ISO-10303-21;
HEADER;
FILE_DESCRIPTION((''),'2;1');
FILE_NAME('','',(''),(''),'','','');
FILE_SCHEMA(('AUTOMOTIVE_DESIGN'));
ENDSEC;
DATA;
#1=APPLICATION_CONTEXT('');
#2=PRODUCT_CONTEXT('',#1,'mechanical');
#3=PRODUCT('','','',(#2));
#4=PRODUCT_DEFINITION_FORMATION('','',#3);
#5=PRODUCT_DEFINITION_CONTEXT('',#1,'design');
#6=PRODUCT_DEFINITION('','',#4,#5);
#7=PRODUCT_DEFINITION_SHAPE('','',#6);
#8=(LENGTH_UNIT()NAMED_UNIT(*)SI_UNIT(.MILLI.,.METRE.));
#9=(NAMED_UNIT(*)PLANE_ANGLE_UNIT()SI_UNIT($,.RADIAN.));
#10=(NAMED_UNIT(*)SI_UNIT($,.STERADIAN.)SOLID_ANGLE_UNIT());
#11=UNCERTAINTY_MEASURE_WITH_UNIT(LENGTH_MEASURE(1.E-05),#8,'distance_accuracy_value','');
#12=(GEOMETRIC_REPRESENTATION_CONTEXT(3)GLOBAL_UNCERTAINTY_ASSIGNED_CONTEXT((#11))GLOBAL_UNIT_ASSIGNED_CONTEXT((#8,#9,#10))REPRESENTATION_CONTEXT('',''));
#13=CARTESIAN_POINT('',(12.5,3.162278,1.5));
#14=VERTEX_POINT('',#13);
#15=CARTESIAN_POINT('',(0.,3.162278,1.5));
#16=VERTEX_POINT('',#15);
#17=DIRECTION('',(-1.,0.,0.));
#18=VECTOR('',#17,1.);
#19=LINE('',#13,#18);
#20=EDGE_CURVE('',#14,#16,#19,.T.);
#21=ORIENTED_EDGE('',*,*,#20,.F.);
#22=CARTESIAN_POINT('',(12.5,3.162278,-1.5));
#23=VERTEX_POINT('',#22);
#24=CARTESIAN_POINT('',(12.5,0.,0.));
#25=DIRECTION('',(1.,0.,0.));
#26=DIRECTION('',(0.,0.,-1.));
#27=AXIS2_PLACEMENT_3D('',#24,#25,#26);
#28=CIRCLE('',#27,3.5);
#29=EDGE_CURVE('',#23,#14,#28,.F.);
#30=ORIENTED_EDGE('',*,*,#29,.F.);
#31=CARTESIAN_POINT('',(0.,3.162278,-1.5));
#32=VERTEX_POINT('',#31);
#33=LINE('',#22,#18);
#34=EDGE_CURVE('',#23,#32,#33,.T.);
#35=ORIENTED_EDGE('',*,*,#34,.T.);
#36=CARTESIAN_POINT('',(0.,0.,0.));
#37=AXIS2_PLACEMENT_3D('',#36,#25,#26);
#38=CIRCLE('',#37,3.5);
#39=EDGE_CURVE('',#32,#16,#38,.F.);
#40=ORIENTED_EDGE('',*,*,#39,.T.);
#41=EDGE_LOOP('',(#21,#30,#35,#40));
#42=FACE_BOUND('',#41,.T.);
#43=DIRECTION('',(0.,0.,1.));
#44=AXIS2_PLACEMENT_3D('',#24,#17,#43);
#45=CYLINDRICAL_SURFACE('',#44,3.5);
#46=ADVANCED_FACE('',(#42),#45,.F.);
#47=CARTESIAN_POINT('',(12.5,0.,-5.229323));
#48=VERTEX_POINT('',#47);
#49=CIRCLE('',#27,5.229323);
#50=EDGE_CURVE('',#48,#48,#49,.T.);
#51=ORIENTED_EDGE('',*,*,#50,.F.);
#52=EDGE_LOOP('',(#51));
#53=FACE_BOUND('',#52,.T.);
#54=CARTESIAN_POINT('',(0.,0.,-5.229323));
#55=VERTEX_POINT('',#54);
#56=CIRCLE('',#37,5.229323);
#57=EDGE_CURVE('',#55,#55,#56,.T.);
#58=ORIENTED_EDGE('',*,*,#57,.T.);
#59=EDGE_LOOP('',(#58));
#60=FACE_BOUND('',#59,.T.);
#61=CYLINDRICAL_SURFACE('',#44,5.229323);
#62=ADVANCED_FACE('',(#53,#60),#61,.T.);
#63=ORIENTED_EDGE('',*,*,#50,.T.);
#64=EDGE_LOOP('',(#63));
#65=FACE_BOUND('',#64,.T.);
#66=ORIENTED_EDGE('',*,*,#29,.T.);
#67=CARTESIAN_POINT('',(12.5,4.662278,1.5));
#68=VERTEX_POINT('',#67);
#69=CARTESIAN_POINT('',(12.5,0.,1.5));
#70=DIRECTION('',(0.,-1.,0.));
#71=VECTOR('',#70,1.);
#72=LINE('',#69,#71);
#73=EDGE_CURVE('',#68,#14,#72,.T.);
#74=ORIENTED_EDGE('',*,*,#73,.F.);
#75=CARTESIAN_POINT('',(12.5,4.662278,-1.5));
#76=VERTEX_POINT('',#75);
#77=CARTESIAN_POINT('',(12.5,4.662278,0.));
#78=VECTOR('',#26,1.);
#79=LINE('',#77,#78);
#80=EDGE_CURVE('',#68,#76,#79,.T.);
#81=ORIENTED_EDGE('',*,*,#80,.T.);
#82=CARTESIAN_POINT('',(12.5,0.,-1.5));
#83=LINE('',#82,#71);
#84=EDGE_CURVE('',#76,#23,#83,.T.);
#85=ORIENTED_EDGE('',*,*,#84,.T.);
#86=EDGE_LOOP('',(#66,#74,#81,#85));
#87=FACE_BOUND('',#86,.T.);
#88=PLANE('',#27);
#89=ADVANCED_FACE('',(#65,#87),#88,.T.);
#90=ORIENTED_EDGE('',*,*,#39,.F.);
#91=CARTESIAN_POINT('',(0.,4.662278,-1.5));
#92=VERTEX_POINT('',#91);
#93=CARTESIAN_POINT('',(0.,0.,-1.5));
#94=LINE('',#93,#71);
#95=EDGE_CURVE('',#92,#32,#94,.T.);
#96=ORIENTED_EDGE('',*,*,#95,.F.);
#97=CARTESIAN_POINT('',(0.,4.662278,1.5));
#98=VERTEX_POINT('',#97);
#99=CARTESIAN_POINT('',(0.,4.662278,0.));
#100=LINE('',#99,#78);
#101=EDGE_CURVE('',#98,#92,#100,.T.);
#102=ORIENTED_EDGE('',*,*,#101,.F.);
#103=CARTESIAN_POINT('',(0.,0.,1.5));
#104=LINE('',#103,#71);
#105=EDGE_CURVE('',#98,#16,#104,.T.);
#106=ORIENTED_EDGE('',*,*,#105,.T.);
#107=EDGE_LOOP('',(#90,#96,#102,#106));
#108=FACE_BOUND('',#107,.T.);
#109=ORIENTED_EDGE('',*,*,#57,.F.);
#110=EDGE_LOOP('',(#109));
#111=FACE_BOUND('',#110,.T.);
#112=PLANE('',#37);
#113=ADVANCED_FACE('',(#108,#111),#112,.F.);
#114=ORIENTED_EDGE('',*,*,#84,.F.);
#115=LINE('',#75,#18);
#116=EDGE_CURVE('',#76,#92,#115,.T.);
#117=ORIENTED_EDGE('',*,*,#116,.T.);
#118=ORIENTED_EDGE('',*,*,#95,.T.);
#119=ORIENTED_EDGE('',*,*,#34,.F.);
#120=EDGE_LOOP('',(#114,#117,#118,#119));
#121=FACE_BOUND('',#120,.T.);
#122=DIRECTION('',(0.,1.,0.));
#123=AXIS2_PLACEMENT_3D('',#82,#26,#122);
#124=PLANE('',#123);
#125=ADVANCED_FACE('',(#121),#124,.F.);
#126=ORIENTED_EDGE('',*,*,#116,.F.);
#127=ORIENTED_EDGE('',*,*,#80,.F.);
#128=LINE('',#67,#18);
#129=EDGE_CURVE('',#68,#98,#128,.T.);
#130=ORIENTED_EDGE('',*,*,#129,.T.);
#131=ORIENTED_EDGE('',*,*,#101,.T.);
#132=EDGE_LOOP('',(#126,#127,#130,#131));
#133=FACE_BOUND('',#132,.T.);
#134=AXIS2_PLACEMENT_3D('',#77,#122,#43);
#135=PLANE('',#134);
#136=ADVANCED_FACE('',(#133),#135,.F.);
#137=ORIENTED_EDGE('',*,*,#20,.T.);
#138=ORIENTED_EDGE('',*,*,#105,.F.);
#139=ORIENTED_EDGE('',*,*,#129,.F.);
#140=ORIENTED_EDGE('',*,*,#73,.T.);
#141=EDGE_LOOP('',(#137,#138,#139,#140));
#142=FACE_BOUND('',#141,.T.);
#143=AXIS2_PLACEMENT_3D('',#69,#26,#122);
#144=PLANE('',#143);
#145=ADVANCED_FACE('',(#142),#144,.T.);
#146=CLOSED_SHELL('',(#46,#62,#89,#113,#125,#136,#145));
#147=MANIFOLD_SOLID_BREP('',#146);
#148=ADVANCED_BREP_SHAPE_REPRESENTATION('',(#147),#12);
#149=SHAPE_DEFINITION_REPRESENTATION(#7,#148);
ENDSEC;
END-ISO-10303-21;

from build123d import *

# Parameters (mm, degrees)
ESQUISSE1_R        = 5.229323062
BOSS_EXTRU_1_DEPTH = 12.5


with BuildPart() as part:
    # Esquisse1 → Boss.-Extru.1 (new body)
    with BuildSketch(Plane(origin=(0, 0, 0), x_dir=(0, 0, -1), z_dir=(1, 0, 0))):
        Circle(ESQUISSE1_R)
        with BuildLine():
            Line((1.5, 4.66227766), (1.5, 3.16227766))
            ThreePointArc((1.5, 3.16227766), (0, -3.5), (-1.5, 3.16227766))
            Line((-1.5, 3.16227766), (-1.5, 4.66227766))
            Line((-1.5, 4.66227766), (1.5, 4.66227766))
        make_face(mode=Mode.SUBTRACT)
    extrude(amount=BOSS_EXTRU_1_DEPTH)


solid = part.part
